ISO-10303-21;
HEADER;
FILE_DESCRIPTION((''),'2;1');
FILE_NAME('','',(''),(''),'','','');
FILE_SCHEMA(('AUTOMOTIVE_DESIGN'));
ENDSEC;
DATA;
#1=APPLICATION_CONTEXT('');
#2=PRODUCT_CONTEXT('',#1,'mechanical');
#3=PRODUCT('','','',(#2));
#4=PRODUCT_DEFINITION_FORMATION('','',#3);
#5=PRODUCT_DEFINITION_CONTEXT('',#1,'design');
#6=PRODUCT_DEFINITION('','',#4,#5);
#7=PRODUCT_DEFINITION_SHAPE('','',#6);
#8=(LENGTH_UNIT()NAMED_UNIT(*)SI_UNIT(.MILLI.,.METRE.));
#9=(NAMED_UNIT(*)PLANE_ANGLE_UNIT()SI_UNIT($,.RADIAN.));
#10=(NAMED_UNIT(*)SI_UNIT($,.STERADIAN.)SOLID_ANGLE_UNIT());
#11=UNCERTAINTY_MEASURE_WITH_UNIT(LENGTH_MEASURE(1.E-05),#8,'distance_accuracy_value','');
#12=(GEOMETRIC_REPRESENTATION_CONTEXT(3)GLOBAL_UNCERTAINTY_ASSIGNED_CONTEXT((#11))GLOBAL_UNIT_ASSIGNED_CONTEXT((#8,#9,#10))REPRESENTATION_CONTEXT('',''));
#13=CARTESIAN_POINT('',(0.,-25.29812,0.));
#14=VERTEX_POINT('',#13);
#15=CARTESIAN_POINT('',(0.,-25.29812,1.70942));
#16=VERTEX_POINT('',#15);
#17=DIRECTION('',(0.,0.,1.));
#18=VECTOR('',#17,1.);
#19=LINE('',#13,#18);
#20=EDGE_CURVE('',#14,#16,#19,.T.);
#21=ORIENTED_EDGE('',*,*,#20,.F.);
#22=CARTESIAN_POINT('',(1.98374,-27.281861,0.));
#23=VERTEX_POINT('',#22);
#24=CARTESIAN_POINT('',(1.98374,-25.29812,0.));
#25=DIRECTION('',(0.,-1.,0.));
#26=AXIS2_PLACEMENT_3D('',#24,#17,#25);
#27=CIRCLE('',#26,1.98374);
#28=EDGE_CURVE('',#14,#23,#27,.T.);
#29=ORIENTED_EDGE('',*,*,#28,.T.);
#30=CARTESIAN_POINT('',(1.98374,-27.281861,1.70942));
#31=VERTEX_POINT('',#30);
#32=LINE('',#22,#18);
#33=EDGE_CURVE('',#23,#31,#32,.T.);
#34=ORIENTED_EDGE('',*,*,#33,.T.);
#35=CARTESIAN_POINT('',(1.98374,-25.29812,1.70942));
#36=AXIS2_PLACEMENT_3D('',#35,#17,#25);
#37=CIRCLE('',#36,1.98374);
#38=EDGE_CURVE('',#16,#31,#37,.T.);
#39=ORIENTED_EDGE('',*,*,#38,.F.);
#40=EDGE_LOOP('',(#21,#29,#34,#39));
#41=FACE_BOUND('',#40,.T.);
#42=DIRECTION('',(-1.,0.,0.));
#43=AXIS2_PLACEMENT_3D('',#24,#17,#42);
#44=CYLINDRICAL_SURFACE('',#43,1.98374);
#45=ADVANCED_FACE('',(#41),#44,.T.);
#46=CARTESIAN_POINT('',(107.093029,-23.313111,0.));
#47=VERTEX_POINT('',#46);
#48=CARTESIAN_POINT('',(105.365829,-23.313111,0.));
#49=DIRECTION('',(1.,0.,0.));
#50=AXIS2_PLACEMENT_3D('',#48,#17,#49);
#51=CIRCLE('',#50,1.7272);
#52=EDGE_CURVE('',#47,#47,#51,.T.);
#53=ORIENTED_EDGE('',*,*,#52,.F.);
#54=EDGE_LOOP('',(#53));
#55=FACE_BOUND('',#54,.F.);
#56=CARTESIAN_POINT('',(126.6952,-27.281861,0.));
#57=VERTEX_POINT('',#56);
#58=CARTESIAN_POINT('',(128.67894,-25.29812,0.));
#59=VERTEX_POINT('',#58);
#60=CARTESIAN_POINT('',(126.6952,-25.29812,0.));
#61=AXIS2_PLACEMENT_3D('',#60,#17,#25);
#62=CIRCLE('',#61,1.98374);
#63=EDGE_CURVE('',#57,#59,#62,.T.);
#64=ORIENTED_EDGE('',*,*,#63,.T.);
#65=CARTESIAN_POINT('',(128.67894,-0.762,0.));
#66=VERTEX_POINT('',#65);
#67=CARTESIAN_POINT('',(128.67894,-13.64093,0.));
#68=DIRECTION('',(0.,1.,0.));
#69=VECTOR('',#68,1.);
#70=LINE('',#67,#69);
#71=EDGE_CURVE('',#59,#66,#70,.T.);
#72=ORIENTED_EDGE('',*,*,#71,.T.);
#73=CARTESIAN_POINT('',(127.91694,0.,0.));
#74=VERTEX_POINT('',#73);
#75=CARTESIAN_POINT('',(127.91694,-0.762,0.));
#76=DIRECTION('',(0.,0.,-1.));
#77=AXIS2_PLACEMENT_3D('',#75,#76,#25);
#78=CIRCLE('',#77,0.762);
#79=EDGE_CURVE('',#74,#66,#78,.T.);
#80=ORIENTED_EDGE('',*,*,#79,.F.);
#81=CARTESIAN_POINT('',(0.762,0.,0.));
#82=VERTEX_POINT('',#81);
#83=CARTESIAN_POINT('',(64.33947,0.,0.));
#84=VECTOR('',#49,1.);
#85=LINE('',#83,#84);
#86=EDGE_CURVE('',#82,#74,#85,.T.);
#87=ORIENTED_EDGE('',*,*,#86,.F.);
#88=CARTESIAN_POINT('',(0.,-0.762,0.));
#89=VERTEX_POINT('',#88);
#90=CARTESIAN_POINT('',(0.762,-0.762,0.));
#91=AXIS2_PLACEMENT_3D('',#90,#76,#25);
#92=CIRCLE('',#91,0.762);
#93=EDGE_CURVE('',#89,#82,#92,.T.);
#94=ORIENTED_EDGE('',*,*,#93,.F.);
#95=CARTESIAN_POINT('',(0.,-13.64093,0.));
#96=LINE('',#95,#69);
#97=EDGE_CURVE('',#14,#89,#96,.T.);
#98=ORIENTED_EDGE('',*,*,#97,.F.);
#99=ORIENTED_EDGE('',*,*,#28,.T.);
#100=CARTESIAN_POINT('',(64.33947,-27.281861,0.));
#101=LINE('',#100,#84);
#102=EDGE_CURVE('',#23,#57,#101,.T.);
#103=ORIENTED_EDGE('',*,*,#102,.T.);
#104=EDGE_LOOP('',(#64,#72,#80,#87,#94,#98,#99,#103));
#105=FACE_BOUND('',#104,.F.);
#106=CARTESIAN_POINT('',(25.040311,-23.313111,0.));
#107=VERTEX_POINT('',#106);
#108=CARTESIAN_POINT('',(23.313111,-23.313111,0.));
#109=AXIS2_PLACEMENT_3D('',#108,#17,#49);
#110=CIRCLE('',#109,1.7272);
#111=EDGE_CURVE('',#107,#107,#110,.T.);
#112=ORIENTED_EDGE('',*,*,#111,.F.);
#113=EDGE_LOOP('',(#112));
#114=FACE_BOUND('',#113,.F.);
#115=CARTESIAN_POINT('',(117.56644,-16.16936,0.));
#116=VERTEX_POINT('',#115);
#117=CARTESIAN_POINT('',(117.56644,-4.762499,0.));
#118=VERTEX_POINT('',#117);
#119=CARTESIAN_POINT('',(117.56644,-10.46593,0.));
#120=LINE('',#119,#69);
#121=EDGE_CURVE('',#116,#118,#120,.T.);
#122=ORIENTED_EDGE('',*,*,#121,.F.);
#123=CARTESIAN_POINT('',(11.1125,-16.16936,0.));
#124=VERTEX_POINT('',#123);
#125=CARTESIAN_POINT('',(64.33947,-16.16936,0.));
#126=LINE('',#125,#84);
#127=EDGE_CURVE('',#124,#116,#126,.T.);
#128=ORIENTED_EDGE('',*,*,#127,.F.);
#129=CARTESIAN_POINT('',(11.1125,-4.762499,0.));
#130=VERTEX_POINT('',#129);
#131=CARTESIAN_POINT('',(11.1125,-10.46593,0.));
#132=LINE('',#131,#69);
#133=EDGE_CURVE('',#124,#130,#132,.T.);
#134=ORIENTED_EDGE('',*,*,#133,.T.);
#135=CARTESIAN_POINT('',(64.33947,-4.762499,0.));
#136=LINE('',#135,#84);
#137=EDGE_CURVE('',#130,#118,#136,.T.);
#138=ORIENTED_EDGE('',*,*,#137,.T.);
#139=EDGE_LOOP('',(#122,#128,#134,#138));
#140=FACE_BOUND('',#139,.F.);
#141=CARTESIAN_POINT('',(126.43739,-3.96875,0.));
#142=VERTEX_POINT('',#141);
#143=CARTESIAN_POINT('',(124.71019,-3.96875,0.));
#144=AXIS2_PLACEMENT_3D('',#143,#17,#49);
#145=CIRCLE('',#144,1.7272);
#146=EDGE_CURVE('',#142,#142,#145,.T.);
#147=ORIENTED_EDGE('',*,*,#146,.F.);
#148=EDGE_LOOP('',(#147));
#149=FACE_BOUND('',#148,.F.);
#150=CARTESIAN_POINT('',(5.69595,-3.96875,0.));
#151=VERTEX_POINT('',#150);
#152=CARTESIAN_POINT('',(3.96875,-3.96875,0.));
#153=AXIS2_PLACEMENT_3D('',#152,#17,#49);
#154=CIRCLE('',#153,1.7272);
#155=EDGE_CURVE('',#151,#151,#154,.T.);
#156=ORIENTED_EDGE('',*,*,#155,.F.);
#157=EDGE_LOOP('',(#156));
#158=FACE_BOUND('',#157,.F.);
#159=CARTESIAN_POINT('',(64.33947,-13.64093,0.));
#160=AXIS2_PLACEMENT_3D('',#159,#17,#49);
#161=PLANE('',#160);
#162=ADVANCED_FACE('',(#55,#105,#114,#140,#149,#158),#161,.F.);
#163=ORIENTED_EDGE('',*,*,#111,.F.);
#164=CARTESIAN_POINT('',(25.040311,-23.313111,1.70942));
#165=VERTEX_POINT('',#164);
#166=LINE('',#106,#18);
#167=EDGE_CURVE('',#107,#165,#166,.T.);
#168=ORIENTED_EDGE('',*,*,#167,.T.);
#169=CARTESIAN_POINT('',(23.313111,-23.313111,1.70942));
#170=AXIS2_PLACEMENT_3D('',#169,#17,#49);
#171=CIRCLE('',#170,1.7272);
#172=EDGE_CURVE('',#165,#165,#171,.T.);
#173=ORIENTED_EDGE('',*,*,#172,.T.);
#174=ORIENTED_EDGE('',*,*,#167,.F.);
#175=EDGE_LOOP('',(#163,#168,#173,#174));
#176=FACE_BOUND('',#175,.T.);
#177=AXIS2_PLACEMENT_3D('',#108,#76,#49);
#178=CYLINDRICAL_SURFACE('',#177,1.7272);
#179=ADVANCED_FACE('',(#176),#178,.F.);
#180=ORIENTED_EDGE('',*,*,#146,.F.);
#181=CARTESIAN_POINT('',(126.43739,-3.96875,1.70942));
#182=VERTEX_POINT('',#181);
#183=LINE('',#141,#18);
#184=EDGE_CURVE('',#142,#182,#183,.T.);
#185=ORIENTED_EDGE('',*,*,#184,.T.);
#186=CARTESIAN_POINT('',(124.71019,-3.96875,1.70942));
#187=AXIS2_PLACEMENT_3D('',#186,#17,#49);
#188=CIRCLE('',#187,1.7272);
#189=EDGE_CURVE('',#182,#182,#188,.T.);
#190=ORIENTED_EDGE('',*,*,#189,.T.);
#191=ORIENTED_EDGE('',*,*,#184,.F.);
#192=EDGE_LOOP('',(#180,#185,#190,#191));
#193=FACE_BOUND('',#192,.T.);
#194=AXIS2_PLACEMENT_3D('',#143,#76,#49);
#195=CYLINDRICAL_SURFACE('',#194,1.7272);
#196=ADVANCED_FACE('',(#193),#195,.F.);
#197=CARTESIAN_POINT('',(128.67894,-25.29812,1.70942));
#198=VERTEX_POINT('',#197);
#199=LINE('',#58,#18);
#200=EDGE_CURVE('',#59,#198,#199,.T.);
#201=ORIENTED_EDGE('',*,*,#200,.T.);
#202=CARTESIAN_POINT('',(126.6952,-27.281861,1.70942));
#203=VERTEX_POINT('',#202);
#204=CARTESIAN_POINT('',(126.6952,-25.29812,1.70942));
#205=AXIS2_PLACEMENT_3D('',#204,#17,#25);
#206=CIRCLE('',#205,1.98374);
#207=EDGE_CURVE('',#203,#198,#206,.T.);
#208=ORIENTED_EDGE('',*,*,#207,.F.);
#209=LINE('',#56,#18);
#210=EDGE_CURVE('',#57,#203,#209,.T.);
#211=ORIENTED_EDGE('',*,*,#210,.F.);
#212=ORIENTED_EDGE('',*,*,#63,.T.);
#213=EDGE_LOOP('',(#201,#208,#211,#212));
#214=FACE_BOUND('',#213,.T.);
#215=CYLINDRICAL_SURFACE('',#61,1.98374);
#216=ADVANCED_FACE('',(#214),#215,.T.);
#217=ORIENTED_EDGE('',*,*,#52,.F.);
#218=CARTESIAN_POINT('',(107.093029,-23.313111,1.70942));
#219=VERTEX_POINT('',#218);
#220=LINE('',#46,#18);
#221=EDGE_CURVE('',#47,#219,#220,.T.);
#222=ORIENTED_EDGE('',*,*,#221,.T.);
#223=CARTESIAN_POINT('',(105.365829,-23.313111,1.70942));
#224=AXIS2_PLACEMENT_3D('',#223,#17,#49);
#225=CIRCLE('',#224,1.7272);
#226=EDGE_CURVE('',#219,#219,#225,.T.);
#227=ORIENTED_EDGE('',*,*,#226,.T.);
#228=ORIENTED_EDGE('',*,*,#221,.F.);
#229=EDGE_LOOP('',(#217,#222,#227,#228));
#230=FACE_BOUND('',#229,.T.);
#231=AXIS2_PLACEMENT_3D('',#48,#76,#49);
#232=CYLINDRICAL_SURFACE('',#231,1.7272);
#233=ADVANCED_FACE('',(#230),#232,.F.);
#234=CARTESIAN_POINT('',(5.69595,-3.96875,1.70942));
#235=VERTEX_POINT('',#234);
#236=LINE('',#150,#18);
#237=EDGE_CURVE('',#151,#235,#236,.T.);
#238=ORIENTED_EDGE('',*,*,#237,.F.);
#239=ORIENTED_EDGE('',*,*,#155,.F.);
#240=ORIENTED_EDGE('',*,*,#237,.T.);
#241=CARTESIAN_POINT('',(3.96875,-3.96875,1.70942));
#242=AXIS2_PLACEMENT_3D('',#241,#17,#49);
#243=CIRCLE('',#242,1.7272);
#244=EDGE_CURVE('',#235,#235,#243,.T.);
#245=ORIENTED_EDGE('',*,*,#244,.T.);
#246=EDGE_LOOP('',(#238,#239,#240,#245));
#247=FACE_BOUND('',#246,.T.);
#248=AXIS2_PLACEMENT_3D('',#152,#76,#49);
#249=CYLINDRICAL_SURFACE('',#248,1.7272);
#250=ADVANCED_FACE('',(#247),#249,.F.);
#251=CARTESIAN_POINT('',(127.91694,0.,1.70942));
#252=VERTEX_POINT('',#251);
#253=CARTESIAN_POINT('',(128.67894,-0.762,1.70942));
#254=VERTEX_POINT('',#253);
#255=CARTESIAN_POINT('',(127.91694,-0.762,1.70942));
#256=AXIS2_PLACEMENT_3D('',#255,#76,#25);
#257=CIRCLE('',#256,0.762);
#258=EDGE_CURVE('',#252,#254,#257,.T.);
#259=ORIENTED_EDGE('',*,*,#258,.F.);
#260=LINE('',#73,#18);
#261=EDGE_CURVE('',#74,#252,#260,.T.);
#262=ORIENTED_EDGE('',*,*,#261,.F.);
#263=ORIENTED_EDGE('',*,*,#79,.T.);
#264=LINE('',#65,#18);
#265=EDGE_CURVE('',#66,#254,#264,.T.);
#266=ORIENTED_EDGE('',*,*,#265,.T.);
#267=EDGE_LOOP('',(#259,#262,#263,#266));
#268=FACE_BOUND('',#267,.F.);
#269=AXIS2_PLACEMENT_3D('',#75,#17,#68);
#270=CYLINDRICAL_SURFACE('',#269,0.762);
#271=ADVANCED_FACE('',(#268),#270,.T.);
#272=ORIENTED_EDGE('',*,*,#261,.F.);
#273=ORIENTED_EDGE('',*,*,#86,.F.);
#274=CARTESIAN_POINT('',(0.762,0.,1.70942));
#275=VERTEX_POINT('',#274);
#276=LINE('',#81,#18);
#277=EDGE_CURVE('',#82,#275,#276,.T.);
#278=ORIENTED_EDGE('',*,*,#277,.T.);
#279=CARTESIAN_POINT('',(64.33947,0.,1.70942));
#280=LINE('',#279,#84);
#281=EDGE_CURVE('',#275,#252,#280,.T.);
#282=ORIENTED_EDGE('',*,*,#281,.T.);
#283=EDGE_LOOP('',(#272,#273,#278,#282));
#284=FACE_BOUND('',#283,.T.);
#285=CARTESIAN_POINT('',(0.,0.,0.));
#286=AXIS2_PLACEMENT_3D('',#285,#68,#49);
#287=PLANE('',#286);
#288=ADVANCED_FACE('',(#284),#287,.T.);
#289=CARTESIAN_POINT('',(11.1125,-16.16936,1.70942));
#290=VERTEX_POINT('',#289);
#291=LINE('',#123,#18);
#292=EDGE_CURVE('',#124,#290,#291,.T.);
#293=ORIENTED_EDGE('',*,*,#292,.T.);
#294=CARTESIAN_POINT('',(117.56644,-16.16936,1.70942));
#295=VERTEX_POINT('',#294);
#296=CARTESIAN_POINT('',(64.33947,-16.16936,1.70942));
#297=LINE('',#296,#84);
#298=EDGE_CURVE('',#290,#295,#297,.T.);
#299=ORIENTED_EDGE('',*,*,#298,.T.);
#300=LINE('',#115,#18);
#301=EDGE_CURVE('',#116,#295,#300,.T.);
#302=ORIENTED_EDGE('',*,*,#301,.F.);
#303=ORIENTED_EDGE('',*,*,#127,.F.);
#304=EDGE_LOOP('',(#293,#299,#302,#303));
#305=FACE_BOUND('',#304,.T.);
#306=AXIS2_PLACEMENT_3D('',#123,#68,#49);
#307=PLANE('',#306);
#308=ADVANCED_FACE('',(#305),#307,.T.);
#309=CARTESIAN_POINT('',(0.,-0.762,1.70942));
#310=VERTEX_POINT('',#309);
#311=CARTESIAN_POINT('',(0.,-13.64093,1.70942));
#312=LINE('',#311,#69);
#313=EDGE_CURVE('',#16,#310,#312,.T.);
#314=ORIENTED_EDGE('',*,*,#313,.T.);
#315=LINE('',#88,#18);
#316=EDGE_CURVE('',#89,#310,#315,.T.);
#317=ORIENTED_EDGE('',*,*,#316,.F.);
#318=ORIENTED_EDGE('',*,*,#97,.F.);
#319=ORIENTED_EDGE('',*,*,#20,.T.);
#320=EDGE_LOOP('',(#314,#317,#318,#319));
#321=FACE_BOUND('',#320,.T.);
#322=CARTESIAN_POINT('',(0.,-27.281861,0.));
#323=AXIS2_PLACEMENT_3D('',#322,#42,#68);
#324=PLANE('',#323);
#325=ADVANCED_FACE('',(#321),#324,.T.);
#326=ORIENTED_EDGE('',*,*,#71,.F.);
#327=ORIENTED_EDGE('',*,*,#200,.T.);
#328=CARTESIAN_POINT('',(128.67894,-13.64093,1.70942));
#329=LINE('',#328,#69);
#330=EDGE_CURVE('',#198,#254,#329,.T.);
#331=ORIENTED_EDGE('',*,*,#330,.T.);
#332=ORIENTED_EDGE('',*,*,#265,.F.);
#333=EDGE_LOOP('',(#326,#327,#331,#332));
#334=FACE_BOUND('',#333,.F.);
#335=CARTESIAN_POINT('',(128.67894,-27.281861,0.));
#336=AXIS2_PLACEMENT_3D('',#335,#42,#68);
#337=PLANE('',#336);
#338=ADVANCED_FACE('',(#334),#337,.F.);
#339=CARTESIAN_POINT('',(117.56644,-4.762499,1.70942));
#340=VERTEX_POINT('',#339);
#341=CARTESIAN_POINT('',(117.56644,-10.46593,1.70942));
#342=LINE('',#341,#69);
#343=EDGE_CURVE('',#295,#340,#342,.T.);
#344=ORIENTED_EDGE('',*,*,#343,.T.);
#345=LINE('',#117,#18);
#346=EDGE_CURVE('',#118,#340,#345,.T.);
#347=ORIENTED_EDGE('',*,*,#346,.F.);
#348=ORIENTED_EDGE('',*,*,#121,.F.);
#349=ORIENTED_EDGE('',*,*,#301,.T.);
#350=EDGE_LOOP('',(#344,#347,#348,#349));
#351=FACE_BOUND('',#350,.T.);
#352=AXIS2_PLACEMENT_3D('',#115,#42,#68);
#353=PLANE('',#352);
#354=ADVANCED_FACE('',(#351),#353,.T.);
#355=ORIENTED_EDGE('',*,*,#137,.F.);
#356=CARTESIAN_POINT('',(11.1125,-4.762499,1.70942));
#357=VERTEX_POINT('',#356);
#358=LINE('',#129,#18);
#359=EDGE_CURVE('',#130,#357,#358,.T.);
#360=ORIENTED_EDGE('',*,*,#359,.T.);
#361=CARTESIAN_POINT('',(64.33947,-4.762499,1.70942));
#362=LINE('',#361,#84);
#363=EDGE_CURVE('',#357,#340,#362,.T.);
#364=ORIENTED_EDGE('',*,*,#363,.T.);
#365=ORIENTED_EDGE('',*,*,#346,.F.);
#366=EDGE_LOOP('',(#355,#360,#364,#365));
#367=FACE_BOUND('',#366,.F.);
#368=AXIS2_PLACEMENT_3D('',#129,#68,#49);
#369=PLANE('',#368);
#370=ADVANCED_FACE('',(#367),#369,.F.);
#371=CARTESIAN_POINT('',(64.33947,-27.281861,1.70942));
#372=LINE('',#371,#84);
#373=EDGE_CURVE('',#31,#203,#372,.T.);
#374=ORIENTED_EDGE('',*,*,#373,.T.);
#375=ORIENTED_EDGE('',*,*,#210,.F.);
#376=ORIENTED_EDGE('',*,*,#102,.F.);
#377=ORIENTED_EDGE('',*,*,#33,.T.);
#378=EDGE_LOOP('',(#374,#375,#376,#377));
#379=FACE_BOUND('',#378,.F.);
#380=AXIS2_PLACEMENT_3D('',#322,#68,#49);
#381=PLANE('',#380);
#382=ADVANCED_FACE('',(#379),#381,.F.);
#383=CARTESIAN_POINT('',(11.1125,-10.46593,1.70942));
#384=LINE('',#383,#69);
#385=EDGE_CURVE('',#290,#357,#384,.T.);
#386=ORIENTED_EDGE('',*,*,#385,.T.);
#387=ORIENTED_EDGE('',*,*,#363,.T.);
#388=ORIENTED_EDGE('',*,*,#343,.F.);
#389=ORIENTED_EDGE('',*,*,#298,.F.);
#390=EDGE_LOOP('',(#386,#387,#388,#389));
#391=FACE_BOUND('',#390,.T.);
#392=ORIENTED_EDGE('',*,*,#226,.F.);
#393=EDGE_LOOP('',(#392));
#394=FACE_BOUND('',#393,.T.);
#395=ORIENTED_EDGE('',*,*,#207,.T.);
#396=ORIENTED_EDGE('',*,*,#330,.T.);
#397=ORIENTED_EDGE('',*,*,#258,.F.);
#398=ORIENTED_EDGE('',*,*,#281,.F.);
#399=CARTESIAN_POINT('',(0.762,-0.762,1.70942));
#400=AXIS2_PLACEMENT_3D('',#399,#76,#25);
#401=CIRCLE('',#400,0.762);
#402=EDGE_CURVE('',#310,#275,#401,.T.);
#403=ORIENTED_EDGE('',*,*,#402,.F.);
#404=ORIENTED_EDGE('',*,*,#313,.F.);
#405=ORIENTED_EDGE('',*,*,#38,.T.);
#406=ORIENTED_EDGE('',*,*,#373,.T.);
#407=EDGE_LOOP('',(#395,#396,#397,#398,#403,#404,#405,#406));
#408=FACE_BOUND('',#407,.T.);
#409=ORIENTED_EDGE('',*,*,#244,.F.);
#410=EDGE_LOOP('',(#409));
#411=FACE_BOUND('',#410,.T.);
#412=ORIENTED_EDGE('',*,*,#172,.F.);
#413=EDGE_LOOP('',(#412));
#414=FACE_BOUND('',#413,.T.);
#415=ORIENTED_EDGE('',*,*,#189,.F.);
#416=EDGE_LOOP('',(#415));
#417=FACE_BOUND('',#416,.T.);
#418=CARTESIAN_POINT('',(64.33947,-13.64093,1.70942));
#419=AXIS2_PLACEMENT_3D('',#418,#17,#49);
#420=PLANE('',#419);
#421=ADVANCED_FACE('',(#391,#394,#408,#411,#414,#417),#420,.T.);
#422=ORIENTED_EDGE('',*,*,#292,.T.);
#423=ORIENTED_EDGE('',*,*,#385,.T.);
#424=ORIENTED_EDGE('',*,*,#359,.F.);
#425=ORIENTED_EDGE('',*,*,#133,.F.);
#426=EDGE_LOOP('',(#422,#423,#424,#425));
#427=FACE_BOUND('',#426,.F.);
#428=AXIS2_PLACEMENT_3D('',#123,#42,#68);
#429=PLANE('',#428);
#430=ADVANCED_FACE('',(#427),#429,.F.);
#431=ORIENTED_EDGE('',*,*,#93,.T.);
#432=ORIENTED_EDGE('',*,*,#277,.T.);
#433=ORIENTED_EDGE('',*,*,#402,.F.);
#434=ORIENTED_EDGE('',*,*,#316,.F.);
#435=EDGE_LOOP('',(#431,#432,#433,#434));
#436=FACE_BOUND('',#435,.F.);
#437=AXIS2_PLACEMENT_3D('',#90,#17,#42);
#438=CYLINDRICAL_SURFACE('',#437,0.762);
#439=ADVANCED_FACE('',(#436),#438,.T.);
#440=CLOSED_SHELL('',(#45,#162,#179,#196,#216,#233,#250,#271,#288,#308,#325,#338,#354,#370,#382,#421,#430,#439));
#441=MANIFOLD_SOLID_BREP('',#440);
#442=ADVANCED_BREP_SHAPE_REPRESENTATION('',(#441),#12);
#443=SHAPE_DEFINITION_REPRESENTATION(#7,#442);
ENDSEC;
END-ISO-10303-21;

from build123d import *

# Parameters (mm, degrees)
F0_W     = 128.67894
F0_H     = 27.281861
F0_R     = 1.7272
F0_W_2   = 106.45394
F0_H_2   = 11.406861
F1_DEPTH = 1.70942
F2_R     = 1.98374
F3_R     = 0.762


with BuildPart() as f1:
    # F0 (on Top) → F1 (new body)
    with BuildSketch(Plane.XY):
        with Locations((64.33947, -13.64093)):
            Rectangle(F0_W, F0_H)
        with Locations((23.313111, -23.313111)):
            Circle(F0_R, mode=Mode.SUBTRACT)
        with Locations((105.365829, -23.313111)):
            Circle(F0_R, mode=Mode.SUBTRACT)
        with Locations((3.96875, -3.96875)):
            Circle(F0_R, mode=Mode.SUBTRACT)
        with Locations((64.33947, -10.46593)):
            Rectangle(F0_W_2, F0_H_2, mode=Mode.SUBTRACT)
        with Locations((124.71019, -3.96875)):
            Circle(F0_R, mode=Mode.SUBTRACT)
    extrude(amount=F1_DEPTH)

    # F2
    f2_edges = [f1.edges().sort_by_distance(p)[0] for p in [
        (0, -27.281861, 0.85471),
        (128.67894, -27.281861, 0.85471),
    ]]
    fillet(f2_edges, radius=F2_R)

    # F3
    f3_edges = [f1.edges().sort_by_distance(p)[0] for p in [
        (0, 0, 0.85471),
        (128.67894, 0, 0.85471),
    ]]
    fillet(f3_edges, radius=F3_R)


solid = f1.part
